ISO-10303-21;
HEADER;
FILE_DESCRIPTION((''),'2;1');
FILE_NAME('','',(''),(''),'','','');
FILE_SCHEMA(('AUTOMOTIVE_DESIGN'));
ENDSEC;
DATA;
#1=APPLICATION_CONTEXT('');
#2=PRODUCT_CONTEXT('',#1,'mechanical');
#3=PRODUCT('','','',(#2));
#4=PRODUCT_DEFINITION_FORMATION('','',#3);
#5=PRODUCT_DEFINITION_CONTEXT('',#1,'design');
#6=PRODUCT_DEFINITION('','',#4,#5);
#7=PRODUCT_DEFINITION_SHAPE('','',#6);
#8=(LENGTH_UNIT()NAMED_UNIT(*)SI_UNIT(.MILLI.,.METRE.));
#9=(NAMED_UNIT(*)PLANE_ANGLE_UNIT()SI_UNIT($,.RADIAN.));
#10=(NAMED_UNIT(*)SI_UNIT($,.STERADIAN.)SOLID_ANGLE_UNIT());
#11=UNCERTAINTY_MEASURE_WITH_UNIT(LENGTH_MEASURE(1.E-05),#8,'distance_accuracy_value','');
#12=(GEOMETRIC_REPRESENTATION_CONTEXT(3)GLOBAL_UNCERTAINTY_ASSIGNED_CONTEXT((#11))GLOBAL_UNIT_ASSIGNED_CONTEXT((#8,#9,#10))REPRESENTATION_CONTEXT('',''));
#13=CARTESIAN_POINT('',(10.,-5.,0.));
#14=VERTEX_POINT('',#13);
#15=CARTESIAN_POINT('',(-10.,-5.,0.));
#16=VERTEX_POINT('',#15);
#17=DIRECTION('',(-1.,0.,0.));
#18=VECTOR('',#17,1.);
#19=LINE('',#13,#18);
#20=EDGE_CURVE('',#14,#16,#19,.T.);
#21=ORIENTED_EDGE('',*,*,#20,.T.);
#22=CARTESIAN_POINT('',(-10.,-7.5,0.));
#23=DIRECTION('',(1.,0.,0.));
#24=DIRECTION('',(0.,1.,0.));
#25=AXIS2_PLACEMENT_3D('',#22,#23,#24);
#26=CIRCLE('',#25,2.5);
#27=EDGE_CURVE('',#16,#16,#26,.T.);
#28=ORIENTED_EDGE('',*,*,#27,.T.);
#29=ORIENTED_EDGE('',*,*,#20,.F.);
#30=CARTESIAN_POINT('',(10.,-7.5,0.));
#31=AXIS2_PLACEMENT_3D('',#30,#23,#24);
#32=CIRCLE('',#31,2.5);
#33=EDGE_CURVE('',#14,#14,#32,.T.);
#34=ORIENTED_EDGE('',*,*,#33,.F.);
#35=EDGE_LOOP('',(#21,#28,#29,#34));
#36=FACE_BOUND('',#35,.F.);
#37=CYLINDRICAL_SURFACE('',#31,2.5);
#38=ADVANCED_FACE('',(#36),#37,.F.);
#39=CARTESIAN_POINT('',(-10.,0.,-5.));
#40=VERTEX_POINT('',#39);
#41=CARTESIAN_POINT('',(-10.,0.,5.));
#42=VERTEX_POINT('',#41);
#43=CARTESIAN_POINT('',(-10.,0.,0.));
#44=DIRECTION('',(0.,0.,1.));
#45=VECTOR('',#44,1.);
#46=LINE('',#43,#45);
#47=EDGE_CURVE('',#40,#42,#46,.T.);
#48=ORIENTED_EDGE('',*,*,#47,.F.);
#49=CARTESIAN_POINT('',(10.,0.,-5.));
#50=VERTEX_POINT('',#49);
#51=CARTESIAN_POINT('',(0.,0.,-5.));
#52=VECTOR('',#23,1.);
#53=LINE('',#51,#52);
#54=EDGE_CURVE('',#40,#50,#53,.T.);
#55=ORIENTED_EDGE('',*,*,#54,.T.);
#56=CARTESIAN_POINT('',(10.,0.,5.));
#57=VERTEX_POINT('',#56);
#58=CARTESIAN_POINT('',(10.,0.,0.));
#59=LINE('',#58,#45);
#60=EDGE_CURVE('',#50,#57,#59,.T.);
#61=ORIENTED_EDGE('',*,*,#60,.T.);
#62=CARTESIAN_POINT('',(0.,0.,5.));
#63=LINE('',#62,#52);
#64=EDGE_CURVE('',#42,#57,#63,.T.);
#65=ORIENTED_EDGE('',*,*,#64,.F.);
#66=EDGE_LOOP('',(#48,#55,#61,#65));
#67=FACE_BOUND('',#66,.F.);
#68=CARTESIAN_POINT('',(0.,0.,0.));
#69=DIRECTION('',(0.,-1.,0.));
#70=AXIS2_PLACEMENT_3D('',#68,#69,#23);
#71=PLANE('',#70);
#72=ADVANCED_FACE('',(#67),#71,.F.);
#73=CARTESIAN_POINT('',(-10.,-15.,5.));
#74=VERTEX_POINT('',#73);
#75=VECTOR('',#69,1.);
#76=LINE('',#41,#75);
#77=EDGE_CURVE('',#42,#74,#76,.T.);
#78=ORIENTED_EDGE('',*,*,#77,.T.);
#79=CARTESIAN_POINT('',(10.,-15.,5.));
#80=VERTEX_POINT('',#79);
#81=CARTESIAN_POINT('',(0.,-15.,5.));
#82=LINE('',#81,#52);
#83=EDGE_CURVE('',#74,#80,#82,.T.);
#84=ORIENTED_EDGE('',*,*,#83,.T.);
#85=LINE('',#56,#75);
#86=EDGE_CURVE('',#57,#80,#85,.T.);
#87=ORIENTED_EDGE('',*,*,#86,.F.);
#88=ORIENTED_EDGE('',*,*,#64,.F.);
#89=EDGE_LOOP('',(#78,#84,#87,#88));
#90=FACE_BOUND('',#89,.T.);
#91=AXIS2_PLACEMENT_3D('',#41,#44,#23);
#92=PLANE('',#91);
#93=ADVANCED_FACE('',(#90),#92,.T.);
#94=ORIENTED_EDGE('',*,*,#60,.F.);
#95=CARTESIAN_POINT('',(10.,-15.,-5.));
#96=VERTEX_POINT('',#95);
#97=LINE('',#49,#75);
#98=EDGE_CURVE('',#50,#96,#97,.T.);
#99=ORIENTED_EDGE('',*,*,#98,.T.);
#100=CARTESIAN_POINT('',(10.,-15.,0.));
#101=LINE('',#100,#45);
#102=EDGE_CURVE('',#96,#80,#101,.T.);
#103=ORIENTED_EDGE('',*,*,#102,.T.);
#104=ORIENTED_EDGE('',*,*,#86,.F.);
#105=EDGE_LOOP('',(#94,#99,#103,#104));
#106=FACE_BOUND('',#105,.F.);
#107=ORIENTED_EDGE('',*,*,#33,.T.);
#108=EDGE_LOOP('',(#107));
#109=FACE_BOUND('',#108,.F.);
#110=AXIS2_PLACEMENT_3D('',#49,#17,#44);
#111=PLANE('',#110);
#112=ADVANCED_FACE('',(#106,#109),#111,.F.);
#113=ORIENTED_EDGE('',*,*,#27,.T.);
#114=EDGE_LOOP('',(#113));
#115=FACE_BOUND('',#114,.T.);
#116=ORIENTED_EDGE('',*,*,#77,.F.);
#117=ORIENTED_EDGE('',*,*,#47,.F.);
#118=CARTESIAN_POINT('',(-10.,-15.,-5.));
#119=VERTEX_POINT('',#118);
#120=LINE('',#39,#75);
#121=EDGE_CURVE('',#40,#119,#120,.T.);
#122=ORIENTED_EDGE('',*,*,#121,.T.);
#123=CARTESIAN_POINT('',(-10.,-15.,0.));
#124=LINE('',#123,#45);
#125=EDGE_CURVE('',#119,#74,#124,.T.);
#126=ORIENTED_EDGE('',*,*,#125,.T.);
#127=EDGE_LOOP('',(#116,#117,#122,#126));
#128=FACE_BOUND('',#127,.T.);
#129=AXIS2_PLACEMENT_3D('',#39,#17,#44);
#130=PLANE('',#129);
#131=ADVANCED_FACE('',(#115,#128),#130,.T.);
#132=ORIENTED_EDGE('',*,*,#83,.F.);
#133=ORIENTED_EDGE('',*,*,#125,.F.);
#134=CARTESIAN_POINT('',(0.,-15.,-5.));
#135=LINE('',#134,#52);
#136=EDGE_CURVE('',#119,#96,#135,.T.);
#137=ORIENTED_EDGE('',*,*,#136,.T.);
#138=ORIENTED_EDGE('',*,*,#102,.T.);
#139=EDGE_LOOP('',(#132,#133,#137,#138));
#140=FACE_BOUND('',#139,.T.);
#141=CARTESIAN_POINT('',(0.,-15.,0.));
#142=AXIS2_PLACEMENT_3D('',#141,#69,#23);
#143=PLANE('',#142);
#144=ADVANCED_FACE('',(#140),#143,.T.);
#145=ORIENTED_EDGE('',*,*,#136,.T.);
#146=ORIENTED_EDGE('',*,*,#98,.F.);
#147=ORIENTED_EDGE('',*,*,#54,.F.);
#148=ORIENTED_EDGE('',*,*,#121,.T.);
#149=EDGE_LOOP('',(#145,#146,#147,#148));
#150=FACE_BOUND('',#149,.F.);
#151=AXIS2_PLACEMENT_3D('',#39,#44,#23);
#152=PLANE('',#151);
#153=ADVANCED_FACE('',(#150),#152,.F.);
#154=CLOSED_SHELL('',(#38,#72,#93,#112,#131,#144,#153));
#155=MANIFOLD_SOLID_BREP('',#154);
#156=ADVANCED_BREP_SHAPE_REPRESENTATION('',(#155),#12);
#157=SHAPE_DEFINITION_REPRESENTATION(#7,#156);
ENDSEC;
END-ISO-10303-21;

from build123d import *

# Parameters (mm, degrees)
F0_W     = 20
F0_H     = 10
F1_DEPTH = 15
F2_R     = 2.5
F3_DEPTH = 20.001


with BuildPart() as f1:
    # F0 (on Front) → F1 (new body)
    with BuildSketch(Plane.XZ):
        Rectangle(F0_W, F0_H)
    extrude(amount=F1_DEPTH)

    # F2 (on face) → F3 (cut, through all)
    with BuildSketch(Plane.YZ.offset(10)):
        with Locations((-7.5, 0)):
            Circle(F2_R)
    extrude(amount=-F3_DEPTH, mode=Mode.SUBTRACT)


solid = f1.part
